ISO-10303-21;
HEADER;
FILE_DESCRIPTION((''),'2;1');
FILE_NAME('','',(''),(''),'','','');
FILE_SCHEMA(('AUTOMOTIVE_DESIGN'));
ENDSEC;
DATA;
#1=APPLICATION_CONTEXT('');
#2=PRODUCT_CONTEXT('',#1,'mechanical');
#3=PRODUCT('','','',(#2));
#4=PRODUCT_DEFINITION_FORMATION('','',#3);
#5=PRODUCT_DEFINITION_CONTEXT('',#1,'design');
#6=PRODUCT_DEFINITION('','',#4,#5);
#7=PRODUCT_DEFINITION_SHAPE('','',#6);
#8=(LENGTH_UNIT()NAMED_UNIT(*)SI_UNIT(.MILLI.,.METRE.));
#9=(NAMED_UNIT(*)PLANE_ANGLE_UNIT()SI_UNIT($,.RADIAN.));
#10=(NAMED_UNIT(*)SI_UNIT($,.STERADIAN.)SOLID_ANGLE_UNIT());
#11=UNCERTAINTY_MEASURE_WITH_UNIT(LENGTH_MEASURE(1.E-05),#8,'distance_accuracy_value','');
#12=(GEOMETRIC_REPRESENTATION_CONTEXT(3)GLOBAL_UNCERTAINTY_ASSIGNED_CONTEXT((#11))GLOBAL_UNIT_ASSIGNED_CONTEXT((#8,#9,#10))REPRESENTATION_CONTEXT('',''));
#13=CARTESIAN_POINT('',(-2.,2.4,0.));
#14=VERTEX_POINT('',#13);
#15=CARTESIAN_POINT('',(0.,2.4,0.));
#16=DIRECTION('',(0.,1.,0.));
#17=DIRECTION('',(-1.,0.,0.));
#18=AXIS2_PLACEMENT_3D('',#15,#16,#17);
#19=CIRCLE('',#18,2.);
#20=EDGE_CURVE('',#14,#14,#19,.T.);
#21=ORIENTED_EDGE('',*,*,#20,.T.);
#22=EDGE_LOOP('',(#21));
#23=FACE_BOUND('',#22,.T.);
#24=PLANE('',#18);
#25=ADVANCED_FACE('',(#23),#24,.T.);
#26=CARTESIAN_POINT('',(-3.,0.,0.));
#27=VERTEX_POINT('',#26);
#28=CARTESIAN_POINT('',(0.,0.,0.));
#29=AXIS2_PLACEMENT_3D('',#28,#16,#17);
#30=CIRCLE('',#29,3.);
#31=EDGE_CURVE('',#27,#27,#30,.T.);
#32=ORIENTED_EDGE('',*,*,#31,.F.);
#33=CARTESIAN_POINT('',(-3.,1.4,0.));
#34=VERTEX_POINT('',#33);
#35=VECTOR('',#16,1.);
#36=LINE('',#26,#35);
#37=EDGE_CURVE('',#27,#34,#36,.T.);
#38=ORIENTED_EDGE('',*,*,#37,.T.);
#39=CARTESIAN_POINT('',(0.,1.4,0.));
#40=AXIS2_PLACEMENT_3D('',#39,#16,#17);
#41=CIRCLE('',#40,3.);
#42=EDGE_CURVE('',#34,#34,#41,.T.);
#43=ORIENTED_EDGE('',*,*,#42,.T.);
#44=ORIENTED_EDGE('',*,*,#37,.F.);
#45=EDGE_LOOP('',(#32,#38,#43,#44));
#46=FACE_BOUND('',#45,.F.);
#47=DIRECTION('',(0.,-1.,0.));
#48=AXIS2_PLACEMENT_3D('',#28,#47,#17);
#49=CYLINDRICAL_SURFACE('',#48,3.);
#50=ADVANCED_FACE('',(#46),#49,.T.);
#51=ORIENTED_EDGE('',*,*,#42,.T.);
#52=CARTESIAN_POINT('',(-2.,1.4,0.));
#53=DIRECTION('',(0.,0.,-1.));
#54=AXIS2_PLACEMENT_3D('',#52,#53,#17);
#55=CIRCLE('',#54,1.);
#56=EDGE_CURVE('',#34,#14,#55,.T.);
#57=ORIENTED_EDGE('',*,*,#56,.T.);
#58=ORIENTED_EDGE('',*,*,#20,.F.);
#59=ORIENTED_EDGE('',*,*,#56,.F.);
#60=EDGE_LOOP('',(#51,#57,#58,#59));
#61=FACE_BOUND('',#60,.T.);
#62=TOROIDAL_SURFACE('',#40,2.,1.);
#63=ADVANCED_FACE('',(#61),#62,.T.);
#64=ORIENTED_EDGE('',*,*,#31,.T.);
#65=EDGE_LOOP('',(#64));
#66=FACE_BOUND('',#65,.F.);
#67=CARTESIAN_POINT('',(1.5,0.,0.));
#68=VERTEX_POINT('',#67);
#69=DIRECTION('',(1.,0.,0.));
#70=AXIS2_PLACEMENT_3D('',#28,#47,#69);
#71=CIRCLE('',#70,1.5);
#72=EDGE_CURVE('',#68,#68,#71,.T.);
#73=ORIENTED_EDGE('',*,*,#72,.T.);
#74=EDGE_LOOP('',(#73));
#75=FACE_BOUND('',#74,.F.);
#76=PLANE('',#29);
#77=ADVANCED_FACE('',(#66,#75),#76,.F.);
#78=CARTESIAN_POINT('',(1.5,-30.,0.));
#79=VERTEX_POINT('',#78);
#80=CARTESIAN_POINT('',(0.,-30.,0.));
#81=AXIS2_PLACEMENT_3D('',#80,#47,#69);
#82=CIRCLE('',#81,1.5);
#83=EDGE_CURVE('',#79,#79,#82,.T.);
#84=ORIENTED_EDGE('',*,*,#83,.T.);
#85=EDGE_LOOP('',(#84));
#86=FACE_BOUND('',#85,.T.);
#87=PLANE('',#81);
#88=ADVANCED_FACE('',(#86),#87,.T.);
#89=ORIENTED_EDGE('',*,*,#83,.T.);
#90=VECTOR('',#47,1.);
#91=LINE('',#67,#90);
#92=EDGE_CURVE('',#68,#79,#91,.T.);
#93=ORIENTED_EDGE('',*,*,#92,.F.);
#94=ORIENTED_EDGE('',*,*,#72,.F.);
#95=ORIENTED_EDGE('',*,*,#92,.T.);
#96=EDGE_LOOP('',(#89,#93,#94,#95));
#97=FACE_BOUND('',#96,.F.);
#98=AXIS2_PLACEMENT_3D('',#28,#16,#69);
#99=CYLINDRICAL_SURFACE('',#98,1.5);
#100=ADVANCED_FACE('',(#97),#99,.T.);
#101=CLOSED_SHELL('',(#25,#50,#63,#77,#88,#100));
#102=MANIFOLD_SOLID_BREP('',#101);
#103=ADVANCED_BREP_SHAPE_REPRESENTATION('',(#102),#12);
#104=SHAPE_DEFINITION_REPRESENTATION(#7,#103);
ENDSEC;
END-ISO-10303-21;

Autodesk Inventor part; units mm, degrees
ref_plane "YZ Plane" through (0, 0, 0) normal (1, 0, 0) x (0, 1, 0)
ref_plane "XZ Plane" through (0, 0, 0) normal (0, 1, 0) x (-1, 0, 0)
ref_plane "XY Plane" through (0, 0, 0) normal (0, 0, 1) x (1, 0, 0)
sketch "Esboço1" plane through (0, 0, 0) normal (0, 1, 0) x (-1, 0, 0)
  circle A0 centre (0, 0) radius 3
  dimension "d0" = 6
extrude "Extrusão1" add sketch "Esboço1" along normal blind 2.4
sketch "Esboço2" plane through (0, 0, 0) normal (0, -1, 0) x (1, 0, 0)
  circle A0 centre (0, 0) radius 1.5
  dimension "d3" = 3
extrude "Extrusão2" add sketch "Esboço2" along normal blind 30
thread "Rosca1" size "M3x0.5" class "6g" standard "ANSI Metric M Profile" full length
fillet "Arredondamento1" radius 1 1 edges at (3, 2.4, 0)
properties part number "Parafuso m3x25"
